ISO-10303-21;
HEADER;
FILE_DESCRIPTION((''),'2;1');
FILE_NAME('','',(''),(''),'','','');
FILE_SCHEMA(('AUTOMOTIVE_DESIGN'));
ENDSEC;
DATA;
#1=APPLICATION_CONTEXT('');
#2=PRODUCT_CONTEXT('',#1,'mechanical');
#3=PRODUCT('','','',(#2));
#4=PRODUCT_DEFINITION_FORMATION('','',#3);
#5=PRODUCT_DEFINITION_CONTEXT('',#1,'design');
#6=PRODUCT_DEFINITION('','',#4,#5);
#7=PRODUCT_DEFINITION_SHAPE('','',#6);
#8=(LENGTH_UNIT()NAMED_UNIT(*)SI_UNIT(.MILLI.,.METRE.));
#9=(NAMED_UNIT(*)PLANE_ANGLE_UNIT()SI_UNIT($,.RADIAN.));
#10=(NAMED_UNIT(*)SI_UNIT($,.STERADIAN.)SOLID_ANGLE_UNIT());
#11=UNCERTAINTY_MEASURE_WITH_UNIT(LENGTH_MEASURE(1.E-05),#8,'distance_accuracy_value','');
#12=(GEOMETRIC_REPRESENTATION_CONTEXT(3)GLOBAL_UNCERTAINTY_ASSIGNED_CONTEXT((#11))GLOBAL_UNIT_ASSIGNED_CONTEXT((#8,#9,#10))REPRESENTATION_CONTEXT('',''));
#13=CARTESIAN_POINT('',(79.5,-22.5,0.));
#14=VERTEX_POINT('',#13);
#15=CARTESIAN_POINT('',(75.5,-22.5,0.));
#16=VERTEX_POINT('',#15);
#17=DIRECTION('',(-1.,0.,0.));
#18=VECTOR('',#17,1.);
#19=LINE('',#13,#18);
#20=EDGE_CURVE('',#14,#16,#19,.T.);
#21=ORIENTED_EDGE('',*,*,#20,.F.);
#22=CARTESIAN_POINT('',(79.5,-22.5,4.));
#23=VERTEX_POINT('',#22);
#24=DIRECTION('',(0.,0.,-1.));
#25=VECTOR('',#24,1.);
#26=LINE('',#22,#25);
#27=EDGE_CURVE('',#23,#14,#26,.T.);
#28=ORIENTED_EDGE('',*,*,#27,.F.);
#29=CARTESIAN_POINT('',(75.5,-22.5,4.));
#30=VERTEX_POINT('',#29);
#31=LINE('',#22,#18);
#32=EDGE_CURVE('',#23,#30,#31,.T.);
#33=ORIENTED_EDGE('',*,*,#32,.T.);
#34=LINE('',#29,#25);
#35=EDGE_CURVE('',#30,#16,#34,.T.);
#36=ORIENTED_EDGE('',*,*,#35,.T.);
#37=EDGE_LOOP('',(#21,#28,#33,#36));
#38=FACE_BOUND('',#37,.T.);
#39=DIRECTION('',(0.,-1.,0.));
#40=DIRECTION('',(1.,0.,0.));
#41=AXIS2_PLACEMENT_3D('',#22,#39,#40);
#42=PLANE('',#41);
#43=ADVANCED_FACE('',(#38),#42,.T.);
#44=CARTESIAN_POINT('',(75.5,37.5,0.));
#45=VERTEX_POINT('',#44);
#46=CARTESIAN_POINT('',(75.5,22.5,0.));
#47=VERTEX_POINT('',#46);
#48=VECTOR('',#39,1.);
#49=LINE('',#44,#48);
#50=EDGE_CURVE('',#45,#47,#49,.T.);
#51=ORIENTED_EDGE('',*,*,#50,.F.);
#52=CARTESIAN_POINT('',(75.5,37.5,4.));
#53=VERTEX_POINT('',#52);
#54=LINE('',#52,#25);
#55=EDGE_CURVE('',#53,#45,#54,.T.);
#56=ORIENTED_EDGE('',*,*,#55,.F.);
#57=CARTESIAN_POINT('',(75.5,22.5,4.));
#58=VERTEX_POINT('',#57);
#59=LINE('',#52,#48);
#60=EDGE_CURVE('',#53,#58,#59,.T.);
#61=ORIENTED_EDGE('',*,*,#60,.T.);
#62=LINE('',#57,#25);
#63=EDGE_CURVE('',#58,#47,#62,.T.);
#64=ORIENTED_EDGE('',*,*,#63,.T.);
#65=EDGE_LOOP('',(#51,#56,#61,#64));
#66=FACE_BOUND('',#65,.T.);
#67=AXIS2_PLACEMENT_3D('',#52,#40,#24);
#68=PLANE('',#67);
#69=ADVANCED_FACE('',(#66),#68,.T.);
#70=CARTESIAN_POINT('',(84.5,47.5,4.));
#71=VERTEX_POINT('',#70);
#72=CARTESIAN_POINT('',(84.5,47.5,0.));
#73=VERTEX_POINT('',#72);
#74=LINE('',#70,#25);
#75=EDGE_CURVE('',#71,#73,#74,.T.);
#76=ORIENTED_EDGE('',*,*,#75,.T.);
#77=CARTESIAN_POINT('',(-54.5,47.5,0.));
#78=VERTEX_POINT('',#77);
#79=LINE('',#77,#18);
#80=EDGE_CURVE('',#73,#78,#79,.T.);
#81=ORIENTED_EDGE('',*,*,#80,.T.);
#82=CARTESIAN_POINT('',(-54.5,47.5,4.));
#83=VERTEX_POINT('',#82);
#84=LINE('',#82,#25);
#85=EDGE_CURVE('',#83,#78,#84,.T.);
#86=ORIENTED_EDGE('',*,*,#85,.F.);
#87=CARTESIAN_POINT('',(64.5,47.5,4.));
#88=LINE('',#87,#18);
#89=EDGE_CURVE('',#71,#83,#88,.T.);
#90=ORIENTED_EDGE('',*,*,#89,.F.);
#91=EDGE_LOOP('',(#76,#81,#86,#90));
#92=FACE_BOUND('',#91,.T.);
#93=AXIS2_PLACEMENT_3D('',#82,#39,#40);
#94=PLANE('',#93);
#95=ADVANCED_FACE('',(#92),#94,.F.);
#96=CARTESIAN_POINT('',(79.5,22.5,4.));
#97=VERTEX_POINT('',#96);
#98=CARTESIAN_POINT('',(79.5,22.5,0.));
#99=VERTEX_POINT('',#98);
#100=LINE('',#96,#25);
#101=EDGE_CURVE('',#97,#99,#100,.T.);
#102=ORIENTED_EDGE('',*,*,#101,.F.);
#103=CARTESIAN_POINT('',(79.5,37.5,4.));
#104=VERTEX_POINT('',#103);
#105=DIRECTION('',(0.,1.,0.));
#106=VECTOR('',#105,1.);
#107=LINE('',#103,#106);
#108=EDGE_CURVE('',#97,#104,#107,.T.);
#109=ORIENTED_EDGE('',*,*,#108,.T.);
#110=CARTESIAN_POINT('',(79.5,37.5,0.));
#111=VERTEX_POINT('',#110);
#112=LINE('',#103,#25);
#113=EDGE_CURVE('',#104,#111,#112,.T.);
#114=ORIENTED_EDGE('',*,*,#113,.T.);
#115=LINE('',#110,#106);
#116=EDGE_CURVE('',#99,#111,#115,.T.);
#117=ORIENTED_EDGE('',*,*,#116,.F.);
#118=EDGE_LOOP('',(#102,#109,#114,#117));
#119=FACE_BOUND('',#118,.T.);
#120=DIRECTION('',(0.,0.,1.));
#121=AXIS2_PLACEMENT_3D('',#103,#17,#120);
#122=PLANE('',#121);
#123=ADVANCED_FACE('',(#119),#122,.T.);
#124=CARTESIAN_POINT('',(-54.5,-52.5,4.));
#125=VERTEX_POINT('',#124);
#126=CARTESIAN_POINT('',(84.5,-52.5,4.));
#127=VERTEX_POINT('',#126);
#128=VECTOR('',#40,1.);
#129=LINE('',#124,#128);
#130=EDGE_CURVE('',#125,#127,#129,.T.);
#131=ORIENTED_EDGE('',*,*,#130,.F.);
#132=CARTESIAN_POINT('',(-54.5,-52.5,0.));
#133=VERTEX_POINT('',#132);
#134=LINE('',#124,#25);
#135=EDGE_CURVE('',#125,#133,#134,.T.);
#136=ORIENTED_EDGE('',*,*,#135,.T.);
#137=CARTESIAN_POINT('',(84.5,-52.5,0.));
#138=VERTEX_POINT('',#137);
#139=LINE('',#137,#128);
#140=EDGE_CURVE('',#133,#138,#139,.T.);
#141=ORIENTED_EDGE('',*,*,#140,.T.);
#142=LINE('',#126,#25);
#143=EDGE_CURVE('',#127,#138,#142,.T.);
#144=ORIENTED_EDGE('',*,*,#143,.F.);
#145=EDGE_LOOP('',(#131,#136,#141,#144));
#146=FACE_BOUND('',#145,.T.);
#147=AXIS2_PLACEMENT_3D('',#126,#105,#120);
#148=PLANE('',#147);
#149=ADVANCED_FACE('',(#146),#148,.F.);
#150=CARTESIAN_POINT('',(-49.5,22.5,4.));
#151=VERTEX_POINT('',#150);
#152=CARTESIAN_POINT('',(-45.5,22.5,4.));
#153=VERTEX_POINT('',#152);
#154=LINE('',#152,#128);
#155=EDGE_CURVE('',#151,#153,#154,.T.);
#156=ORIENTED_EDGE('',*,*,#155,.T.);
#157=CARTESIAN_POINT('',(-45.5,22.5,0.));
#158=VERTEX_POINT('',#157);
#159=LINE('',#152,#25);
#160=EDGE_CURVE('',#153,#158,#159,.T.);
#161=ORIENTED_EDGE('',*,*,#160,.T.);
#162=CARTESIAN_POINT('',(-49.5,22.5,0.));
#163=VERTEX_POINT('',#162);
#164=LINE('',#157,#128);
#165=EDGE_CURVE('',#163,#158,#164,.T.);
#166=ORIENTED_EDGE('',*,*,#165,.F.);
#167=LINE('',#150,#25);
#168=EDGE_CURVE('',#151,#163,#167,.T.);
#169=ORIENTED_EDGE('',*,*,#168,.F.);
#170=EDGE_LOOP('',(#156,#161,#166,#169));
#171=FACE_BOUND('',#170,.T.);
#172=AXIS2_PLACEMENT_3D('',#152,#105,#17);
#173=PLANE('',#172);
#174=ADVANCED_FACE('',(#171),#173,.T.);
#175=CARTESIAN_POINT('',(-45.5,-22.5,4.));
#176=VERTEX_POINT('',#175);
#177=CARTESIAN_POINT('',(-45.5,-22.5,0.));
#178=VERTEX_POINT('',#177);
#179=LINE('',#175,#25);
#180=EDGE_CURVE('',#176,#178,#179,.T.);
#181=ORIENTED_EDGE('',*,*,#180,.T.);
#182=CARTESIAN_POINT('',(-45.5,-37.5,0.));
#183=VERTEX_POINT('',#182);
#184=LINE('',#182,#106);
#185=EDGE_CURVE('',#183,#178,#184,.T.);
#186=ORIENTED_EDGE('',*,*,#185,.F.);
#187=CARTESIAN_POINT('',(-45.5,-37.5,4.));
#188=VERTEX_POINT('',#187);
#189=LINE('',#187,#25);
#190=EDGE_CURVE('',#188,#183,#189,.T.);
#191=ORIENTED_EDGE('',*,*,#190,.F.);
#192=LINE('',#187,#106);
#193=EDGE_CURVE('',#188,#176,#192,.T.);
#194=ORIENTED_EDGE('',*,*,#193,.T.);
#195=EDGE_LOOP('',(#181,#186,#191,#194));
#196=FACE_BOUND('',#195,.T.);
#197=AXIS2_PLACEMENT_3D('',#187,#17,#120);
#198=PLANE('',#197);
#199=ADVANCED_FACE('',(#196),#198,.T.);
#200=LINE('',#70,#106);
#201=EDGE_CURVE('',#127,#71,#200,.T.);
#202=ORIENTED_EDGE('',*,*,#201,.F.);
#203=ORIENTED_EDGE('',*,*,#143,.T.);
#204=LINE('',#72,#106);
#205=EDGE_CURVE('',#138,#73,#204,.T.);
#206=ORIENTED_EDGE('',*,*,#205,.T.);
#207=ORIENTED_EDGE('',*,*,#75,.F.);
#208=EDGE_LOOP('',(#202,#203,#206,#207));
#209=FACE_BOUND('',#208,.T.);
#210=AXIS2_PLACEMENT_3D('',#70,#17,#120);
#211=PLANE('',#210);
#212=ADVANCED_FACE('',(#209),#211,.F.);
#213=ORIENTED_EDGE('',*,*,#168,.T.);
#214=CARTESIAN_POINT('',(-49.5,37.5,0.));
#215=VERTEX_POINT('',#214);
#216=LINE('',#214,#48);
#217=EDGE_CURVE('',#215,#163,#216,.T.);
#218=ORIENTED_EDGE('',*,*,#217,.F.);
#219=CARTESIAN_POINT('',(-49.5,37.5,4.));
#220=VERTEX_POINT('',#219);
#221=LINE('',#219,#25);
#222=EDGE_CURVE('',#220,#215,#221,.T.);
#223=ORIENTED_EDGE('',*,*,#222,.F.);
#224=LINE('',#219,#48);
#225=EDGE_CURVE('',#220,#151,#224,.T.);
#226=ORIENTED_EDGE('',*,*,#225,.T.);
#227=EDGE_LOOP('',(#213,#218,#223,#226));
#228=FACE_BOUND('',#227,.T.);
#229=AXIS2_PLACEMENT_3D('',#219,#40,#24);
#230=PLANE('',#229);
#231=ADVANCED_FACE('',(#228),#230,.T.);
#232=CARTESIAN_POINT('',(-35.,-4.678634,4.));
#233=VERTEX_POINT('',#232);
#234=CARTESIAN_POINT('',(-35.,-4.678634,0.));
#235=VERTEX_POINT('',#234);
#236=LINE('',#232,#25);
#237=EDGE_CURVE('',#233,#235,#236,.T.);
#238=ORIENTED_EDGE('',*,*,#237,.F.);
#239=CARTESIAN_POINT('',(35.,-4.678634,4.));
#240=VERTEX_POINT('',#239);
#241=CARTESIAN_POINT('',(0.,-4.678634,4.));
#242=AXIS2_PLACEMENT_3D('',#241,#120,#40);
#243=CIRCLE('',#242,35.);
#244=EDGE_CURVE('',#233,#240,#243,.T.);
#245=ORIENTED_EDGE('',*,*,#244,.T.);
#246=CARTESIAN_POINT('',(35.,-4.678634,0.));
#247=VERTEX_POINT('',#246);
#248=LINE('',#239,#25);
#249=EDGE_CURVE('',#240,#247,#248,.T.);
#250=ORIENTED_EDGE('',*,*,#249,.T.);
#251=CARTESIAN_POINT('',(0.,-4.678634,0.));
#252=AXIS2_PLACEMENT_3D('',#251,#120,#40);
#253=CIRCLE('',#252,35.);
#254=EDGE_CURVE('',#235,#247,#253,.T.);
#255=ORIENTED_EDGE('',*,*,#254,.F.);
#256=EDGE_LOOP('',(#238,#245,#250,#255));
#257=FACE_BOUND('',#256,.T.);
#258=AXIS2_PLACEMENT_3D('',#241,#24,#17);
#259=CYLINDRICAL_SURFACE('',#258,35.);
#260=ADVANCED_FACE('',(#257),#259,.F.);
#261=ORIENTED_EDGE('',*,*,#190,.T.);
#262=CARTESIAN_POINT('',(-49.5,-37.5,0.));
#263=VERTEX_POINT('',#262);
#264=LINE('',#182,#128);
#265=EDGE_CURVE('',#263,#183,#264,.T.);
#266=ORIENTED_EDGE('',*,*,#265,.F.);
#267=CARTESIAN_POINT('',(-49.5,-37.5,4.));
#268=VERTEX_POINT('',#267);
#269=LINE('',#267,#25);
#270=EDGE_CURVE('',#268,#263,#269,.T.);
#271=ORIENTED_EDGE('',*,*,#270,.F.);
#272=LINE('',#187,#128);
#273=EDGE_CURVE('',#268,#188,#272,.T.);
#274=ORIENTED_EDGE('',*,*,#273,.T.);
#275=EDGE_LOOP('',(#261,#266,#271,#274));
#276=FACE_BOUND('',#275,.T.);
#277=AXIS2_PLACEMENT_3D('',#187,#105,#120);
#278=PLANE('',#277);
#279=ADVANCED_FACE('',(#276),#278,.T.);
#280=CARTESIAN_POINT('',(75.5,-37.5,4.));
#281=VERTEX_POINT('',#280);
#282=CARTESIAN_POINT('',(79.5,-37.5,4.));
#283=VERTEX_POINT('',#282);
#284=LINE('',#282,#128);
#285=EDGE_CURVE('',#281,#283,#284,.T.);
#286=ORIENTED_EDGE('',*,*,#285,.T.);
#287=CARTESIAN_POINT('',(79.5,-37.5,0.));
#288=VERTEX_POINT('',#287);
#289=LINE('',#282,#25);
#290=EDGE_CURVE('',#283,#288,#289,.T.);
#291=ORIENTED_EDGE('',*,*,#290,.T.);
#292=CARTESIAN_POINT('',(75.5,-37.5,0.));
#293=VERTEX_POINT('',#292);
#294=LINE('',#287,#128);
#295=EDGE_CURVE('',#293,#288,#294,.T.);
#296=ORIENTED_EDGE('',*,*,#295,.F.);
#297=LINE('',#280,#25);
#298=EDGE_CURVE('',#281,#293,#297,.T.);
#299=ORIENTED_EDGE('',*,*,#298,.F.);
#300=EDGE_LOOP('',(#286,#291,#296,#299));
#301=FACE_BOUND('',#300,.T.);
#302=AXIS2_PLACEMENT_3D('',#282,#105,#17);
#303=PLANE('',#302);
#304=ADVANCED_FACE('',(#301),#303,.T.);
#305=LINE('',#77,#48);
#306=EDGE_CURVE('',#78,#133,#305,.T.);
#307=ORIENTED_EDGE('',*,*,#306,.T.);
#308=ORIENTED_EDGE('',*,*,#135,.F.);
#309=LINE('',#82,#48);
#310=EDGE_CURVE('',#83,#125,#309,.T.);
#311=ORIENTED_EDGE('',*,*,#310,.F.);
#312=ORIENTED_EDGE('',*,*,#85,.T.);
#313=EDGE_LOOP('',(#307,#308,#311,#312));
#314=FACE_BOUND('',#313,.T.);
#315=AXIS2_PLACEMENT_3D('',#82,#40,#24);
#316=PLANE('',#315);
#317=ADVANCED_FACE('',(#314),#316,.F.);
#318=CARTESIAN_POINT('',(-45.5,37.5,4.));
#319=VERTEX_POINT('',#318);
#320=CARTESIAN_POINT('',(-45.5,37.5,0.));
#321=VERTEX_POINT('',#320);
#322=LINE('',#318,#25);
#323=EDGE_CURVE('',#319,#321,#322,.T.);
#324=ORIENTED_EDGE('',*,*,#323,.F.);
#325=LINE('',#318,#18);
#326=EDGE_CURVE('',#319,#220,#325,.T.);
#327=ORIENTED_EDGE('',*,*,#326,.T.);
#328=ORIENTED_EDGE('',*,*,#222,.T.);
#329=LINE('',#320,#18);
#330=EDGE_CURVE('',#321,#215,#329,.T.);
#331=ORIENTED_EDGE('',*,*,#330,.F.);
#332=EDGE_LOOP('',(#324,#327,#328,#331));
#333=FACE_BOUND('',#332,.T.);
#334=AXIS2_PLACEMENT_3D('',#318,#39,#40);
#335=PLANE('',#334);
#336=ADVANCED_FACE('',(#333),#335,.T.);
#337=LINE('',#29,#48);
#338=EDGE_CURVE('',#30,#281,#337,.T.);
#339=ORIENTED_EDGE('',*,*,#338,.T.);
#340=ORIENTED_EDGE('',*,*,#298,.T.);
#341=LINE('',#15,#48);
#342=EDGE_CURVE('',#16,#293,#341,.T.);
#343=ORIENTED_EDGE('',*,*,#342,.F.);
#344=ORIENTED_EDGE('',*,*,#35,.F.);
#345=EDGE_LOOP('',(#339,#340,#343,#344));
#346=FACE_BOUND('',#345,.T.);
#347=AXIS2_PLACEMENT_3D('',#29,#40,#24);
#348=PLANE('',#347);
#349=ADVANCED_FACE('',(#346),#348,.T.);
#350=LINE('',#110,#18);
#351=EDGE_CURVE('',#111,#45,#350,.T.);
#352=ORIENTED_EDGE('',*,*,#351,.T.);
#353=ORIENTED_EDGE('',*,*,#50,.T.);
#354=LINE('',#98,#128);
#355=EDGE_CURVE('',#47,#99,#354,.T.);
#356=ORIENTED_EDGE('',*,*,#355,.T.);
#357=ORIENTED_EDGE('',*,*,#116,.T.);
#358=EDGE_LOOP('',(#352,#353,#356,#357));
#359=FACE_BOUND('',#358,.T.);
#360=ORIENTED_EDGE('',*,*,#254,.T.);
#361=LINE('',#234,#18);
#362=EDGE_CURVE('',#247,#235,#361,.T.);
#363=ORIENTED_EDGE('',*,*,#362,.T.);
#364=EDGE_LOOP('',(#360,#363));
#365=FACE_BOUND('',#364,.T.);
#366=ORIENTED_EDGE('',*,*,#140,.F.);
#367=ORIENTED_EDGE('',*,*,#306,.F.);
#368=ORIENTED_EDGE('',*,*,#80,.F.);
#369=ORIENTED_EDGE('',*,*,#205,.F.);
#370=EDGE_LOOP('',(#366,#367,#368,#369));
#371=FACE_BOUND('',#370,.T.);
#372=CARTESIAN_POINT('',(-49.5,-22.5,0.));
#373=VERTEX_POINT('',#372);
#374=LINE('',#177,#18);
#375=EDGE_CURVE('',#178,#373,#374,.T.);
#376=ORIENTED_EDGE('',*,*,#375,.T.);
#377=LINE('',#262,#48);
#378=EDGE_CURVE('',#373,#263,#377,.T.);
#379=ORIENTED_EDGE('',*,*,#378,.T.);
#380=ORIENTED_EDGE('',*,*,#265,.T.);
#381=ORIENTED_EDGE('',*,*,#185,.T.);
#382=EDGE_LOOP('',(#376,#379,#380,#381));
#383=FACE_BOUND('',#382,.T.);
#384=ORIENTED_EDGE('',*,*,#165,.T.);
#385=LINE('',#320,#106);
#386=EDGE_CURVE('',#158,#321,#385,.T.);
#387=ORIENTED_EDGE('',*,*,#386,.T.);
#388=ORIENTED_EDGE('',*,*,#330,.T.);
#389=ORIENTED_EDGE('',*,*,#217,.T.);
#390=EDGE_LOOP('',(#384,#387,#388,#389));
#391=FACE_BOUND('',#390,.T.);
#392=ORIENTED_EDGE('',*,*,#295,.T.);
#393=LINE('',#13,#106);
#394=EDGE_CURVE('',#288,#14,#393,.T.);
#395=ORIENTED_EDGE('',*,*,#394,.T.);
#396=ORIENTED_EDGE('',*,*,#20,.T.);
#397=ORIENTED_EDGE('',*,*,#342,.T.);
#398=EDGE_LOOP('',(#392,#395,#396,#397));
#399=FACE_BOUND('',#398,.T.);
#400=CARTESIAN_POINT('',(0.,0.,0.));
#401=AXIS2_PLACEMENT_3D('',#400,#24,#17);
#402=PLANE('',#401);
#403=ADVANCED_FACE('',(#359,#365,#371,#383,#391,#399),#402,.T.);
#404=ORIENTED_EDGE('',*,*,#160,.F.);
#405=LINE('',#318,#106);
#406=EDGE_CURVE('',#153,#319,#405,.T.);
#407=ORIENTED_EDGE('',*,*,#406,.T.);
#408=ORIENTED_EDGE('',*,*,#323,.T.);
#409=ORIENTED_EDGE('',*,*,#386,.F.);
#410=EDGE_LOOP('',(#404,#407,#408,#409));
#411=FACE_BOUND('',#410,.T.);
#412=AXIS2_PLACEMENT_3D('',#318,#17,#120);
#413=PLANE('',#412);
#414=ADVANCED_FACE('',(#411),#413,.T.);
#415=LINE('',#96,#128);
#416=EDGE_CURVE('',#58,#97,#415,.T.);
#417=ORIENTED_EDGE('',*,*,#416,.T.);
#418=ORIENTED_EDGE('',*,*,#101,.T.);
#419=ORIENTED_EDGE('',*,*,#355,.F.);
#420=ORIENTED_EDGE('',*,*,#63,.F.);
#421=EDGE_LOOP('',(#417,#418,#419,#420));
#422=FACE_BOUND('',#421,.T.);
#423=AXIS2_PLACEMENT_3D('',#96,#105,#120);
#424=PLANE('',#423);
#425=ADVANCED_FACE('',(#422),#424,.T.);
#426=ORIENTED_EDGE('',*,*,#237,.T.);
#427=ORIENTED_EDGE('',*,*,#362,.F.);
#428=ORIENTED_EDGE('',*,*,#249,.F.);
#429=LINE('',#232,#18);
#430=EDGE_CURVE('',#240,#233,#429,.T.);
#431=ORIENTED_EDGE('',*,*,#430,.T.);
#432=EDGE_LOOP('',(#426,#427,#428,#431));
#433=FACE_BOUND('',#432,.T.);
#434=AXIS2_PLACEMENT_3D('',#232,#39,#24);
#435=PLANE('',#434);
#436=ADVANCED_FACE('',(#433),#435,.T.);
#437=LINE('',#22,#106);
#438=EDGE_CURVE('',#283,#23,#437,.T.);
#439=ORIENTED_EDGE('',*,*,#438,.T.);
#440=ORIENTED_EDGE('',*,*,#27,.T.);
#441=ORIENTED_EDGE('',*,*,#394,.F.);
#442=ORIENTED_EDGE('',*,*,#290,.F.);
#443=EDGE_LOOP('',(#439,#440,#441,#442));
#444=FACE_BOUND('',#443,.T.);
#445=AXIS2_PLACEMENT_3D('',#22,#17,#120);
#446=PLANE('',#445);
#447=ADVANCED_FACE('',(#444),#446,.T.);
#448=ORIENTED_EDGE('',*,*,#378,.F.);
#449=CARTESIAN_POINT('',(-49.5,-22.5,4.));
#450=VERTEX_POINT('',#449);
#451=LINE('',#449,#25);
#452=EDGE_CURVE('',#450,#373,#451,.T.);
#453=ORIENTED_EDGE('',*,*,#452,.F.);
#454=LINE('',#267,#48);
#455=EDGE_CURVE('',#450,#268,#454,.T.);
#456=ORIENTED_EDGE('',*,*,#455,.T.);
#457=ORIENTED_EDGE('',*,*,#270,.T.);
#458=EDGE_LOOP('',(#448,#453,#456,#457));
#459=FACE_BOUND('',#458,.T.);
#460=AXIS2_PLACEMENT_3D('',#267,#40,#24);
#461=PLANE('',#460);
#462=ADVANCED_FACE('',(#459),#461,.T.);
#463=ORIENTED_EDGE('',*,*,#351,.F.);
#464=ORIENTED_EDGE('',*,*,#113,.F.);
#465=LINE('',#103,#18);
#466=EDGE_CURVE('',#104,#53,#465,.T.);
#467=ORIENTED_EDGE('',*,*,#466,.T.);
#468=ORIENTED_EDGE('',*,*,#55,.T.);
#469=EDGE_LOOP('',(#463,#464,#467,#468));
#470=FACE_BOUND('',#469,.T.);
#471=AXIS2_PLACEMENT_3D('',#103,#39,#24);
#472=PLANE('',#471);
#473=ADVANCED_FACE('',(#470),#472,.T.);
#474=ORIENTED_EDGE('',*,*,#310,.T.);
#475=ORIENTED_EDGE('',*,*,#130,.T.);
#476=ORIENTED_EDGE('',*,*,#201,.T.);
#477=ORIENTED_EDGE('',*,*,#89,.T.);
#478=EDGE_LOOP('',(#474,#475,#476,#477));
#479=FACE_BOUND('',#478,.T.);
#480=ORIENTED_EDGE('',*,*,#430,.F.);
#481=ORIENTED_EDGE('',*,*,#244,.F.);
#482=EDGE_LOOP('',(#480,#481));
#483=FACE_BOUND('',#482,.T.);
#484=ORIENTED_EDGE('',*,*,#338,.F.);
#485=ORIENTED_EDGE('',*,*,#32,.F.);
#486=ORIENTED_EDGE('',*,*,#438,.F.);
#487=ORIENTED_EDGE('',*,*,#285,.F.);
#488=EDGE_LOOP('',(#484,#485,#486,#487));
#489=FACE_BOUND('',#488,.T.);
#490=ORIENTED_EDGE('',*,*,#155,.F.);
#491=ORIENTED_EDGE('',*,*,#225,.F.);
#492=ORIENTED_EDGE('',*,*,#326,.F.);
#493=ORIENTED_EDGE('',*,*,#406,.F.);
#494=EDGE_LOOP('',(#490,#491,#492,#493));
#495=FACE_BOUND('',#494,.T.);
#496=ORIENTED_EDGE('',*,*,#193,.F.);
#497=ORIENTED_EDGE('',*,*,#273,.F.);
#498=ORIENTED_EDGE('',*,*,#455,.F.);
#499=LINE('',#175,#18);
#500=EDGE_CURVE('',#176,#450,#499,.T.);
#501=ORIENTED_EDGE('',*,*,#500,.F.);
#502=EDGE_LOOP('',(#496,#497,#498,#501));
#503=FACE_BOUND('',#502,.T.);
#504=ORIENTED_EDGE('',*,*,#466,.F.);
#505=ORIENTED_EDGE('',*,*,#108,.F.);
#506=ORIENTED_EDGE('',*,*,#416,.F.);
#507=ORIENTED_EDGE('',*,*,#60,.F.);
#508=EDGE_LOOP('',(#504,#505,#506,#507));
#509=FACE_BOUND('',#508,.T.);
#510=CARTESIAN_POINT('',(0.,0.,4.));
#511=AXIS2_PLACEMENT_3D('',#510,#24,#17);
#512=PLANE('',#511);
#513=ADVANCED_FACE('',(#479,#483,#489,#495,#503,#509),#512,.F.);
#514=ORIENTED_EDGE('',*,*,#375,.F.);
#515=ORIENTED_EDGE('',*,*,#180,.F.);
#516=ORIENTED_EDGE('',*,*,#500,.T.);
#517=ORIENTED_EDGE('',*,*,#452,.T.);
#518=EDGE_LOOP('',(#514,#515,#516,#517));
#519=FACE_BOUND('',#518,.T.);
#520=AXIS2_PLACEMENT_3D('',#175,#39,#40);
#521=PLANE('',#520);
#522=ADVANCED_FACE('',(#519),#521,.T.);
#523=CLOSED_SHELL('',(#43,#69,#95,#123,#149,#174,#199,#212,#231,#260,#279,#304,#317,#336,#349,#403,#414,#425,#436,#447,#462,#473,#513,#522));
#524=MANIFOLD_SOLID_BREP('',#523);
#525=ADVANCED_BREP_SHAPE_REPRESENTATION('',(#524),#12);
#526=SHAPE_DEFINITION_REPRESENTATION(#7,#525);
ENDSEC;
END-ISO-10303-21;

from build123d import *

# Parameters (mm, degrees)
SKETCH1_W           = 4
SKETCH1_H           = 15
BOSS_EXTRUDE1_DEPTH = 4


with BuildPart() as part:
    # Sketch1 → Boss-Extrude1 (new body)
    with BuildSketch(Plane.XY):
        Polygon((-54.5, -52.5), (64.5, -52.5), (84.5, -52.5), (84.5, 47.5), (64.5, 47.5), (-54.5, 47.5), align=None)
        with BuildLine():
            Line((-35, -4.678634488), (35, -4.678634488))
            ThreePointArc((35, -4.678634488), (0, -39.678634488), (-35, -4.678634488))
        make_face(mode=Mode.SUBTRACT)
        with Locations((-47.5, -30)):
            Rectangle(SKETCH1_W, SKETCH1_H, mode=Mode.SUBTRACT)
        with Locations((-47.5, 30)):
            Rectangle(SKETCH1_W, SKETCH1_H, mode=Mode.SUBTRACT)
        with Locations((77.5, 30)):
            Rectangle(SKETCH1_W, SKETCH1_H, mode=Mode.SUBTRACT)
        with Locations((77.5, -30)):
            Rectangle(SKETCH1_W, SKETCH1_H, mode=Mode.SUBTRACT)
    extrude(amount=BOSS_EXTRUDE1_DEPTH)


solid = part.part
